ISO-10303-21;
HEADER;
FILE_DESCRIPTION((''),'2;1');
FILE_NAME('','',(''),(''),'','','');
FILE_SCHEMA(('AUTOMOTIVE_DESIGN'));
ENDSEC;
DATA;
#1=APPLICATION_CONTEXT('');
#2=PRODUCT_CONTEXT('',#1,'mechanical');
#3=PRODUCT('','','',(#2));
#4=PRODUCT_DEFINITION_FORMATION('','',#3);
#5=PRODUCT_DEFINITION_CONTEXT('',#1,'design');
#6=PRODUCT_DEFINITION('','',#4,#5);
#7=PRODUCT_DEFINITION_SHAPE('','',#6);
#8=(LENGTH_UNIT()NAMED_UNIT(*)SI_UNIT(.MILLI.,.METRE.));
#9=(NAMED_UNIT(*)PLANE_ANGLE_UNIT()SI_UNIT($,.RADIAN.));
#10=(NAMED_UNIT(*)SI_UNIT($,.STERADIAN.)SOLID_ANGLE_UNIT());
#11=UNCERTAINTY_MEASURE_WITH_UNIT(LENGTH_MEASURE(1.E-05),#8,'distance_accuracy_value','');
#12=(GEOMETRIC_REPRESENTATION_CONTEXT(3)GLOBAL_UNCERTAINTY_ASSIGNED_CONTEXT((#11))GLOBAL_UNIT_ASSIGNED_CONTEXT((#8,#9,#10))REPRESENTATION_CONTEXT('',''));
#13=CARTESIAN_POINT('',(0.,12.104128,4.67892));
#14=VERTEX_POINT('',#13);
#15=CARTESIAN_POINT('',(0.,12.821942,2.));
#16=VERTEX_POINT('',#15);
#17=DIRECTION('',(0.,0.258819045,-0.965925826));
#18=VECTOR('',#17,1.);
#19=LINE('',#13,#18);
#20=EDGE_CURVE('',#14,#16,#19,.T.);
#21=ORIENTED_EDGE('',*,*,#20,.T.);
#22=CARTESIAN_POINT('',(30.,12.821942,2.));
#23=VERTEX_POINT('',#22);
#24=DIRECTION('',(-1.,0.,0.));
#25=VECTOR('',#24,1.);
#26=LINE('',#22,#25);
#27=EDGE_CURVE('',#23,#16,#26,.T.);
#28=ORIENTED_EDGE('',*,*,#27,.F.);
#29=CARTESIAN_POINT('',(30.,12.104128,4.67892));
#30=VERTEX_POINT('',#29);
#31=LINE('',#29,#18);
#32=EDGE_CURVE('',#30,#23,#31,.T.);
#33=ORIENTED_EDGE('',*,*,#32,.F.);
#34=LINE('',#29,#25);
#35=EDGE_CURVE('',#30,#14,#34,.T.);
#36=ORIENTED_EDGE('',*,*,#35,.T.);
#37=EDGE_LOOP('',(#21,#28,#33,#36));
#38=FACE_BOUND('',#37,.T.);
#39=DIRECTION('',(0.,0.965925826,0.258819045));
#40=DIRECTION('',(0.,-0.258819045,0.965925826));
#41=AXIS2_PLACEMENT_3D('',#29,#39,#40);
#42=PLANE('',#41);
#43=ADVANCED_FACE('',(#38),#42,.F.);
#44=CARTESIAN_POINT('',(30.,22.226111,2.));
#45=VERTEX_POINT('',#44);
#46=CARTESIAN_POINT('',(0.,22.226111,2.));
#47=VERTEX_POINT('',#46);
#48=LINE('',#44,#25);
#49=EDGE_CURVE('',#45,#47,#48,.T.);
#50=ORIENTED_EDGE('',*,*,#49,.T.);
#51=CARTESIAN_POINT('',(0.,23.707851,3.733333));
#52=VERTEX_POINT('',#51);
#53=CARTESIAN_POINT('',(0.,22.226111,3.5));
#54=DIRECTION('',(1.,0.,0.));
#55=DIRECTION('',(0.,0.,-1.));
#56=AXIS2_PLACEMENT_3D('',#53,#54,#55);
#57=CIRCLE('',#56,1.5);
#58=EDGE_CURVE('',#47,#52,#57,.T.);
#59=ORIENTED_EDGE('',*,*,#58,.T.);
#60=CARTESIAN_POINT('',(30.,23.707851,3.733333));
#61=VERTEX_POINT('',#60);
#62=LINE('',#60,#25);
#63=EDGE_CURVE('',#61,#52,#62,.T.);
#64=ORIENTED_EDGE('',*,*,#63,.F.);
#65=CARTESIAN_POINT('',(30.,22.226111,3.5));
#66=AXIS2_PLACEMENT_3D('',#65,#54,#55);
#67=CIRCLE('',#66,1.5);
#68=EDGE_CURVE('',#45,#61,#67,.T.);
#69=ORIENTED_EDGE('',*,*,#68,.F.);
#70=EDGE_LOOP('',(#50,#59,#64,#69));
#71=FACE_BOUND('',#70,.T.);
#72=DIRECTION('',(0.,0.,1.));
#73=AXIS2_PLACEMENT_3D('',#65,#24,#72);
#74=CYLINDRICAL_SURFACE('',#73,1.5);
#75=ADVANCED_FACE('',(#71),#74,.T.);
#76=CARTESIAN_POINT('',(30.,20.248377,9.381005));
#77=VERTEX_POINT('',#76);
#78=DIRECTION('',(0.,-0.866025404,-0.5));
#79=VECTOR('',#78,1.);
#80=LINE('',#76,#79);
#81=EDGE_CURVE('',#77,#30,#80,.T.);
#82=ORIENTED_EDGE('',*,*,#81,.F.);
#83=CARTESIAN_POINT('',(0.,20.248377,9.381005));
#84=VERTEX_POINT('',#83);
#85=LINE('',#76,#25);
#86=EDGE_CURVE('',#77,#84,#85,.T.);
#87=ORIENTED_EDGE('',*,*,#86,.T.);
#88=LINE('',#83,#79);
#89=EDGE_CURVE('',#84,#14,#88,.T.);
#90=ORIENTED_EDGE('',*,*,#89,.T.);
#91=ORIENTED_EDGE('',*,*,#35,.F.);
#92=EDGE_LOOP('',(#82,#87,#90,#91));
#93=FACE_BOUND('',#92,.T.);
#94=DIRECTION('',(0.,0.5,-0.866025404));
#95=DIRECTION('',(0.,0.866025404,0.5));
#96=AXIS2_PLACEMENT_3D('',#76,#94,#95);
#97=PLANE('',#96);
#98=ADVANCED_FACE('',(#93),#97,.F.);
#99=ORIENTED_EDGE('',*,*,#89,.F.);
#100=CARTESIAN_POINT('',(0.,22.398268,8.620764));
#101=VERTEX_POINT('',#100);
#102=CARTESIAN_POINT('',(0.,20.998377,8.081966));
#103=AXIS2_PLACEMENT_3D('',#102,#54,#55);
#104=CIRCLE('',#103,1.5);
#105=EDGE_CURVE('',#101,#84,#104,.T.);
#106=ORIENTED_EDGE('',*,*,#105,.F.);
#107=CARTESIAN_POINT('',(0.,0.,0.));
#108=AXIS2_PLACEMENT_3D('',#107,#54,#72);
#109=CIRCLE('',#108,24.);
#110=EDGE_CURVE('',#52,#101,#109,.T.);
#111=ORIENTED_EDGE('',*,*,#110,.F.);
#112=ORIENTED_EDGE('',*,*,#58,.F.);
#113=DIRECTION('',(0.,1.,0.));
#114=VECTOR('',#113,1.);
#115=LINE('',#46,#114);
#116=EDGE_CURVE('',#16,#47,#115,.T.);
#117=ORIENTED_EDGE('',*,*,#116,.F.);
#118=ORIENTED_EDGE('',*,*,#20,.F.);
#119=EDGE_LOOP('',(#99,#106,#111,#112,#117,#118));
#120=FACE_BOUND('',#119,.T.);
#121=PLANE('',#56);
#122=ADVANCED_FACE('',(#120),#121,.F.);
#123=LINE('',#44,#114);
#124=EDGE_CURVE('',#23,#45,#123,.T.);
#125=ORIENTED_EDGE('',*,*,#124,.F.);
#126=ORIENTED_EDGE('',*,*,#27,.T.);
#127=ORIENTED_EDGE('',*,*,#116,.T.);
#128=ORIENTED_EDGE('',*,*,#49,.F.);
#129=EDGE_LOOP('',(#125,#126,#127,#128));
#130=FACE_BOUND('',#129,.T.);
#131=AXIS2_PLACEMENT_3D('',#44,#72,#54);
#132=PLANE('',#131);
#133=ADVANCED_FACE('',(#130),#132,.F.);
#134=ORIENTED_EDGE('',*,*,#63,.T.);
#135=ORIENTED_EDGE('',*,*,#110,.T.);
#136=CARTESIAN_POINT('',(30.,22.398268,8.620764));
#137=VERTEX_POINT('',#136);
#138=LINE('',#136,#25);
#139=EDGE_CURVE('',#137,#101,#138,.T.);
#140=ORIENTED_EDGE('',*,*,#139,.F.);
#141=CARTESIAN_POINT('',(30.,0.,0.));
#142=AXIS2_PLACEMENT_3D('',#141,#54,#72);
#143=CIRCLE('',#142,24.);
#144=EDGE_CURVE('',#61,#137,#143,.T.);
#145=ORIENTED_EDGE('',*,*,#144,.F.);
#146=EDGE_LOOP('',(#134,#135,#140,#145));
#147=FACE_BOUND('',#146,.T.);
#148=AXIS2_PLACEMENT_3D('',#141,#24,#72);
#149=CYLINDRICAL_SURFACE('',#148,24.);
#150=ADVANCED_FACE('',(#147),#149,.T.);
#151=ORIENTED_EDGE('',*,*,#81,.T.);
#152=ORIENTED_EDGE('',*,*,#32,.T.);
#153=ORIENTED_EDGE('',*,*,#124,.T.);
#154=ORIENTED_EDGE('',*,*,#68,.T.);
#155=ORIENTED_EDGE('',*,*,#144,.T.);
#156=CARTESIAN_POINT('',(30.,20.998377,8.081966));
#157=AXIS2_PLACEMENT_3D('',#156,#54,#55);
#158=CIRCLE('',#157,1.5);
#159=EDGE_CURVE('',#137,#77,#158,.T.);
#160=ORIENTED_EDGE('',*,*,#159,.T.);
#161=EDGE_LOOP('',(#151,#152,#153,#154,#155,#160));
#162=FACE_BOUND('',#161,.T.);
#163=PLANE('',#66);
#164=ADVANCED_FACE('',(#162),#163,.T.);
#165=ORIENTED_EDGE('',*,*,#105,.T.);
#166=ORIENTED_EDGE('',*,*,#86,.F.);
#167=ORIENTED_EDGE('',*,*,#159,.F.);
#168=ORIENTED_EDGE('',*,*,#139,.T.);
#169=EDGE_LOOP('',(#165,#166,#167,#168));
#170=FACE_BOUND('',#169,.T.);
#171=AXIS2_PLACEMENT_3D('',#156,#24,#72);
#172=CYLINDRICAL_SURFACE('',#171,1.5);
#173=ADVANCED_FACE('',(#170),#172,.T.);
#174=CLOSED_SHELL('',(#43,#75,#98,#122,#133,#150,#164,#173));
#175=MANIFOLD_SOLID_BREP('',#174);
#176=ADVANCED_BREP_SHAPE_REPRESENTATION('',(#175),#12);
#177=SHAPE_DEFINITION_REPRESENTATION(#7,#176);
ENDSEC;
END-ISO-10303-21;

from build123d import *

# Parameters (mm, degrees)
BOSS_EXTRUDE1_DEPTH = 30


with BuildPart() as part:
    # Sketch3 → Boss-Extrude1 (new body)
    with BuildSketch(Plane(origin=(0, 0, 0), x_dir=(0, 0, -1), z_dir=(1, 0, 0))):
        with BuildLine():
            Line((-2, 22.226110771), (-2, 12.821942467))
            Line((-2, 12.821942467), (-4.678920426, 12.104127903))
            Line((-4.678920426, 12.104127903), (-9.381004578, 20.248376555))
            ThreePointArc((-9.381004578, 20.248376555), (-9.496151336, 21.498457721), (-8.620764237, 22.398268325))
            ThreePointArc((-8.620764237, 22.398268325), (-6.211657082, 23.182219831), (-3.733333333, 23.707851489))
            ThreePointArc((-3.733333333, 23.707851489), (-2.525320566, 23.366286196), (-2, 22.226110771))
        make_face()
    extrude(amount=BOSS_EXTRUDE1_DEPTH)


solid = part.part
